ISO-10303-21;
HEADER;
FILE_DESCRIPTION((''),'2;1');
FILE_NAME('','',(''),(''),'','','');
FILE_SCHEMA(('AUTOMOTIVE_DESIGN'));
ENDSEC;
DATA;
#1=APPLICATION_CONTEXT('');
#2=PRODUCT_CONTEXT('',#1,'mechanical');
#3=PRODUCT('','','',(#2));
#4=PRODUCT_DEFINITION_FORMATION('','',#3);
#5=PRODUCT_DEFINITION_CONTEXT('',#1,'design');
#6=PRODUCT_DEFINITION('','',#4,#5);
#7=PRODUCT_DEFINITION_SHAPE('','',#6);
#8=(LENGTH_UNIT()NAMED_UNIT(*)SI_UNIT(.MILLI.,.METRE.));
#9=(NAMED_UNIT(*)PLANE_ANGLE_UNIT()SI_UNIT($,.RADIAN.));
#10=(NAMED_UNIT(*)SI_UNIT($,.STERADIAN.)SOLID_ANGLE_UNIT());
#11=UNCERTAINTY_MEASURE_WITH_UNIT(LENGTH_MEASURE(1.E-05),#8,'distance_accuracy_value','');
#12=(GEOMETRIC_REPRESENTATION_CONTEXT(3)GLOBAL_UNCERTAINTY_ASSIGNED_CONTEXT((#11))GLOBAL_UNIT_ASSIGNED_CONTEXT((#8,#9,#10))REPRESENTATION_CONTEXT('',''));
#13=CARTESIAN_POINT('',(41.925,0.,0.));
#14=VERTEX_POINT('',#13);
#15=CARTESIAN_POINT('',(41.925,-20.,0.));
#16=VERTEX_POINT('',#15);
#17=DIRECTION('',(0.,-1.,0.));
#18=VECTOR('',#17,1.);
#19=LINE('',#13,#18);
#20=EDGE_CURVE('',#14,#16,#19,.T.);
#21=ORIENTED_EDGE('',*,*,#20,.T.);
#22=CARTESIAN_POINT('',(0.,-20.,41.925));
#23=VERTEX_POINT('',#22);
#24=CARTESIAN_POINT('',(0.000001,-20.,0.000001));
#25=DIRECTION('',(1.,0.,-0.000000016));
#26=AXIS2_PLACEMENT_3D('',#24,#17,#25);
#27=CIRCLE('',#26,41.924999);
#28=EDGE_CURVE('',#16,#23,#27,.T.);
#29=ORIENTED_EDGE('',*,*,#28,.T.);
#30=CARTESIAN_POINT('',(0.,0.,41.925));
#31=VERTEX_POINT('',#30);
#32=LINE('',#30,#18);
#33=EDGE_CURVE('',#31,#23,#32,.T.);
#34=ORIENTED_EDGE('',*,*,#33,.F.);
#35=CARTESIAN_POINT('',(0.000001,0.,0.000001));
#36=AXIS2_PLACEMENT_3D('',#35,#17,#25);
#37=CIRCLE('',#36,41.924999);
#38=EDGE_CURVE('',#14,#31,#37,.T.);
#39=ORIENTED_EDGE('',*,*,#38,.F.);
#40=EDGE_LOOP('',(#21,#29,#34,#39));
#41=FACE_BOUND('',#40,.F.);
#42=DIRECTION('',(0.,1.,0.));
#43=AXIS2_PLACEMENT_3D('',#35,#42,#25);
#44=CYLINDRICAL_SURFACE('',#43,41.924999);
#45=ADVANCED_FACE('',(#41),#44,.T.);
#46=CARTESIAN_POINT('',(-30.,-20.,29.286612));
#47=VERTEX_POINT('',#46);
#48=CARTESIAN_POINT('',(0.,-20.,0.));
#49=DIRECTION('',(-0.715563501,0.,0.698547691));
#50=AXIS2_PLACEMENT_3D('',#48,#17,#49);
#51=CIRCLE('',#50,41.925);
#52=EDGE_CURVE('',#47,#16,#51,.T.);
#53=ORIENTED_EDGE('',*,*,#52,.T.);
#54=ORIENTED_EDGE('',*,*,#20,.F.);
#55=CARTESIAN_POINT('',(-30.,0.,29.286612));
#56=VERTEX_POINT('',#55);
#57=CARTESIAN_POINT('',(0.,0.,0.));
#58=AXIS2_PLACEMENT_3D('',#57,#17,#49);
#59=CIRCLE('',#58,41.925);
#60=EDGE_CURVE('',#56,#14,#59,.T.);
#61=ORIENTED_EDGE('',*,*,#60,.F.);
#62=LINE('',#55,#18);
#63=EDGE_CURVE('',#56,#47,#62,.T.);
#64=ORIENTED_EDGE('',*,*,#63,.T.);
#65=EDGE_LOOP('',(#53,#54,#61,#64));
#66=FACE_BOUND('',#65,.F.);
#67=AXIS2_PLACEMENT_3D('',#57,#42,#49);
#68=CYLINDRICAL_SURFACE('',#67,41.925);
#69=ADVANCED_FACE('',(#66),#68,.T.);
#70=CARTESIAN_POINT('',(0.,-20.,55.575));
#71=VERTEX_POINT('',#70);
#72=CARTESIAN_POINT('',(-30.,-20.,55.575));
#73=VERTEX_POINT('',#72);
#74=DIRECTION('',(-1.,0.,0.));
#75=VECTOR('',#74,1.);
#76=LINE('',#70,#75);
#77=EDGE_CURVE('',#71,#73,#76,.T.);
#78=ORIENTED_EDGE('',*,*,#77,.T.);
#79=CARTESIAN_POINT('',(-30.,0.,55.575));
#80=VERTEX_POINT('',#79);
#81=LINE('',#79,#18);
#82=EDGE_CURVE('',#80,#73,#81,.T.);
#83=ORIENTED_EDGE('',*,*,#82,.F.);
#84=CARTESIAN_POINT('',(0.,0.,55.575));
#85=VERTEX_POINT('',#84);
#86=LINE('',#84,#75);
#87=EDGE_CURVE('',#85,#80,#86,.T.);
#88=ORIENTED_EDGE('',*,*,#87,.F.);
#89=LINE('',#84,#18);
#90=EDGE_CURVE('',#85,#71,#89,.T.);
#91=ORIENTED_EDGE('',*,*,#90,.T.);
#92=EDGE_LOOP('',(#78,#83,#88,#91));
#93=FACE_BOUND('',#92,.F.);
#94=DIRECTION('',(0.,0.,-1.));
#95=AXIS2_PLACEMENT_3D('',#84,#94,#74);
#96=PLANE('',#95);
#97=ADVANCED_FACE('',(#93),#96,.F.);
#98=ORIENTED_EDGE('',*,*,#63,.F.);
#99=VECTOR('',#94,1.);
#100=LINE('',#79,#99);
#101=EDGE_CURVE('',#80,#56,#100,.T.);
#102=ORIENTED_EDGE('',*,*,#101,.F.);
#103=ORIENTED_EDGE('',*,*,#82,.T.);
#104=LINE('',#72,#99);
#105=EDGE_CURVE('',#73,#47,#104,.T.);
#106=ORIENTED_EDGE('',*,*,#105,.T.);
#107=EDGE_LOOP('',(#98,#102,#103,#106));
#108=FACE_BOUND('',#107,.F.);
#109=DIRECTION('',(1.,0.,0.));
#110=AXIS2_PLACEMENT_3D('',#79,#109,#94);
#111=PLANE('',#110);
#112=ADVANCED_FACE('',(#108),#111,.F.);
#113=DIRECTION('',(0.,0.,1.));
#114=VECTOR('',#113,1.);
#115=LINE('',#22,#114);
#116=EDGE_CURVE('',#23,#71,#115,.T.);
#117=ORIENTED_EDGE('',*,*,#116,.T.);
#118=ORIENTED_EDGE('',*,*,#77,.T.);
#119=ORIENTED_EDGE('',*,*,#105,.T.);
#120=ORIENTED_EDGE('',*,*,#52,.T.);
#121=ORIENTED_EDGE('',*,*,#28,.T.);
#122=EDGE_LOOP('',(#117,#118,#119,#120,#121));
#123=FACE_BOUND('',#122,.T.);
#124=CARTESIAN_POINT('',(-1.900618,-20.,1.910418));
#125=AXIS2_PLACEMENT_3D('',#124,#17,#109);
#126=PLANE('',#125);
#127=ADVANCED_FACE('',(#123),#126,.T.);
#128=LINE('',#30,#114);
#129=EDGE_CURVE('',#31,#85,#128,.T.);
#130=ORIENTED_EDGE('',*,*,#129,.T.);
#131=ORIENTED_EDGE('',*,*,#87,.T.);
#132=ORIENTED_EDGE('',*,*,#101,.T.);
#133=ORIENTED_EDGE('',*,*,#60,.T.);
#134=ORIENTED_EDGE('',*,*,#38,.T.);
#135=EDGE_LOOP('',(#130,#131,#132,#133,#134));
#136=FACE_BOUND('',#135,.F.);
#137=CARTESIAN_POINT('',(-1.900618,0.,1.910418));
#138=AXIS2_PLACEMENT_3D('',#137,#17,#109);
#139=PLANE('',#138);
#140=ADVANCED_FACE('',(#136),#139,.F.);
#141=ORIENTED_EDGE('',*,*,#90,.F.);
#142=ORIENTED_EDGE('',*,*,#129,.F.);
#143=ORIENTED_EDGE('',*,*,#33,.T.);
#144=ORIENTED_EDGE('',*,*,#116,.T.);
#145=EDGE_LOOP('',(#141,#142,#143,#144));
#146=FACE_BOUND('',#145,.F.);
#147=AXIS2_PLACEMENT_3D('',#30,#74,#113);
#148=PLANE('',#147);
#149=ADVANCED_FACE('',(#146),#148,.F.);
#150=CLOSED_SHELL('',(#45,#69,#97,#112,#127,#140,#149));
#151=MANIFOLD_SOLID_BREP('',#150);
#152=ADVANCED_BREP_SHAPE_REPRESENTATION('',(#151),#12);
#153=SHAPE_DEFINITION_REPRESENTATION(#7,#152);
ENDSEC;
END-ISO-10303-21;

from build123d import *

# Parameters (mm, degrees)
F1_DEPTH = 20


with BuildPart() as f1:
    # F0 (on Front) → F1 (new body)
    with BuildSketch(Plane.XZ):
        with BuildLine():
            ThreePointArc((-30, 29.286612), (-15.810687, -38.829471), (41.925, 0))
            ThreePointArc((41.925, 0), (29.645452, 29.645452), (0, 41.925))
            Line((0, 41.925), (0, 0))
            Line((0, 0), (-30, 0))
            Line((-30, 0), (-30, 29.286612))
        make_face()
        with BuildLine():
            Line((0, 0), (0, 41.925))
            ThreePointArc((0, 41.925), (-16.276738, 38.636426), (-30, 29.286612))
            Line((-30, 29.286612), (-30, 0))
            Line((-30, 0), (0, 0))
        make_face()
        with BuildLine():
            ThreePointArc((-30, 29.286612), (-16.276738, 38.636426), (0, 41.925))
            Line((0, 41.925), (0, 55.575))
            Line((0, 55.575), (-30, 55.575))
            Line((-30, 55.575), (-30, 29.286612))
        make_face()
    extrude(amount=F1_DEPTH)


solid = f1.part
